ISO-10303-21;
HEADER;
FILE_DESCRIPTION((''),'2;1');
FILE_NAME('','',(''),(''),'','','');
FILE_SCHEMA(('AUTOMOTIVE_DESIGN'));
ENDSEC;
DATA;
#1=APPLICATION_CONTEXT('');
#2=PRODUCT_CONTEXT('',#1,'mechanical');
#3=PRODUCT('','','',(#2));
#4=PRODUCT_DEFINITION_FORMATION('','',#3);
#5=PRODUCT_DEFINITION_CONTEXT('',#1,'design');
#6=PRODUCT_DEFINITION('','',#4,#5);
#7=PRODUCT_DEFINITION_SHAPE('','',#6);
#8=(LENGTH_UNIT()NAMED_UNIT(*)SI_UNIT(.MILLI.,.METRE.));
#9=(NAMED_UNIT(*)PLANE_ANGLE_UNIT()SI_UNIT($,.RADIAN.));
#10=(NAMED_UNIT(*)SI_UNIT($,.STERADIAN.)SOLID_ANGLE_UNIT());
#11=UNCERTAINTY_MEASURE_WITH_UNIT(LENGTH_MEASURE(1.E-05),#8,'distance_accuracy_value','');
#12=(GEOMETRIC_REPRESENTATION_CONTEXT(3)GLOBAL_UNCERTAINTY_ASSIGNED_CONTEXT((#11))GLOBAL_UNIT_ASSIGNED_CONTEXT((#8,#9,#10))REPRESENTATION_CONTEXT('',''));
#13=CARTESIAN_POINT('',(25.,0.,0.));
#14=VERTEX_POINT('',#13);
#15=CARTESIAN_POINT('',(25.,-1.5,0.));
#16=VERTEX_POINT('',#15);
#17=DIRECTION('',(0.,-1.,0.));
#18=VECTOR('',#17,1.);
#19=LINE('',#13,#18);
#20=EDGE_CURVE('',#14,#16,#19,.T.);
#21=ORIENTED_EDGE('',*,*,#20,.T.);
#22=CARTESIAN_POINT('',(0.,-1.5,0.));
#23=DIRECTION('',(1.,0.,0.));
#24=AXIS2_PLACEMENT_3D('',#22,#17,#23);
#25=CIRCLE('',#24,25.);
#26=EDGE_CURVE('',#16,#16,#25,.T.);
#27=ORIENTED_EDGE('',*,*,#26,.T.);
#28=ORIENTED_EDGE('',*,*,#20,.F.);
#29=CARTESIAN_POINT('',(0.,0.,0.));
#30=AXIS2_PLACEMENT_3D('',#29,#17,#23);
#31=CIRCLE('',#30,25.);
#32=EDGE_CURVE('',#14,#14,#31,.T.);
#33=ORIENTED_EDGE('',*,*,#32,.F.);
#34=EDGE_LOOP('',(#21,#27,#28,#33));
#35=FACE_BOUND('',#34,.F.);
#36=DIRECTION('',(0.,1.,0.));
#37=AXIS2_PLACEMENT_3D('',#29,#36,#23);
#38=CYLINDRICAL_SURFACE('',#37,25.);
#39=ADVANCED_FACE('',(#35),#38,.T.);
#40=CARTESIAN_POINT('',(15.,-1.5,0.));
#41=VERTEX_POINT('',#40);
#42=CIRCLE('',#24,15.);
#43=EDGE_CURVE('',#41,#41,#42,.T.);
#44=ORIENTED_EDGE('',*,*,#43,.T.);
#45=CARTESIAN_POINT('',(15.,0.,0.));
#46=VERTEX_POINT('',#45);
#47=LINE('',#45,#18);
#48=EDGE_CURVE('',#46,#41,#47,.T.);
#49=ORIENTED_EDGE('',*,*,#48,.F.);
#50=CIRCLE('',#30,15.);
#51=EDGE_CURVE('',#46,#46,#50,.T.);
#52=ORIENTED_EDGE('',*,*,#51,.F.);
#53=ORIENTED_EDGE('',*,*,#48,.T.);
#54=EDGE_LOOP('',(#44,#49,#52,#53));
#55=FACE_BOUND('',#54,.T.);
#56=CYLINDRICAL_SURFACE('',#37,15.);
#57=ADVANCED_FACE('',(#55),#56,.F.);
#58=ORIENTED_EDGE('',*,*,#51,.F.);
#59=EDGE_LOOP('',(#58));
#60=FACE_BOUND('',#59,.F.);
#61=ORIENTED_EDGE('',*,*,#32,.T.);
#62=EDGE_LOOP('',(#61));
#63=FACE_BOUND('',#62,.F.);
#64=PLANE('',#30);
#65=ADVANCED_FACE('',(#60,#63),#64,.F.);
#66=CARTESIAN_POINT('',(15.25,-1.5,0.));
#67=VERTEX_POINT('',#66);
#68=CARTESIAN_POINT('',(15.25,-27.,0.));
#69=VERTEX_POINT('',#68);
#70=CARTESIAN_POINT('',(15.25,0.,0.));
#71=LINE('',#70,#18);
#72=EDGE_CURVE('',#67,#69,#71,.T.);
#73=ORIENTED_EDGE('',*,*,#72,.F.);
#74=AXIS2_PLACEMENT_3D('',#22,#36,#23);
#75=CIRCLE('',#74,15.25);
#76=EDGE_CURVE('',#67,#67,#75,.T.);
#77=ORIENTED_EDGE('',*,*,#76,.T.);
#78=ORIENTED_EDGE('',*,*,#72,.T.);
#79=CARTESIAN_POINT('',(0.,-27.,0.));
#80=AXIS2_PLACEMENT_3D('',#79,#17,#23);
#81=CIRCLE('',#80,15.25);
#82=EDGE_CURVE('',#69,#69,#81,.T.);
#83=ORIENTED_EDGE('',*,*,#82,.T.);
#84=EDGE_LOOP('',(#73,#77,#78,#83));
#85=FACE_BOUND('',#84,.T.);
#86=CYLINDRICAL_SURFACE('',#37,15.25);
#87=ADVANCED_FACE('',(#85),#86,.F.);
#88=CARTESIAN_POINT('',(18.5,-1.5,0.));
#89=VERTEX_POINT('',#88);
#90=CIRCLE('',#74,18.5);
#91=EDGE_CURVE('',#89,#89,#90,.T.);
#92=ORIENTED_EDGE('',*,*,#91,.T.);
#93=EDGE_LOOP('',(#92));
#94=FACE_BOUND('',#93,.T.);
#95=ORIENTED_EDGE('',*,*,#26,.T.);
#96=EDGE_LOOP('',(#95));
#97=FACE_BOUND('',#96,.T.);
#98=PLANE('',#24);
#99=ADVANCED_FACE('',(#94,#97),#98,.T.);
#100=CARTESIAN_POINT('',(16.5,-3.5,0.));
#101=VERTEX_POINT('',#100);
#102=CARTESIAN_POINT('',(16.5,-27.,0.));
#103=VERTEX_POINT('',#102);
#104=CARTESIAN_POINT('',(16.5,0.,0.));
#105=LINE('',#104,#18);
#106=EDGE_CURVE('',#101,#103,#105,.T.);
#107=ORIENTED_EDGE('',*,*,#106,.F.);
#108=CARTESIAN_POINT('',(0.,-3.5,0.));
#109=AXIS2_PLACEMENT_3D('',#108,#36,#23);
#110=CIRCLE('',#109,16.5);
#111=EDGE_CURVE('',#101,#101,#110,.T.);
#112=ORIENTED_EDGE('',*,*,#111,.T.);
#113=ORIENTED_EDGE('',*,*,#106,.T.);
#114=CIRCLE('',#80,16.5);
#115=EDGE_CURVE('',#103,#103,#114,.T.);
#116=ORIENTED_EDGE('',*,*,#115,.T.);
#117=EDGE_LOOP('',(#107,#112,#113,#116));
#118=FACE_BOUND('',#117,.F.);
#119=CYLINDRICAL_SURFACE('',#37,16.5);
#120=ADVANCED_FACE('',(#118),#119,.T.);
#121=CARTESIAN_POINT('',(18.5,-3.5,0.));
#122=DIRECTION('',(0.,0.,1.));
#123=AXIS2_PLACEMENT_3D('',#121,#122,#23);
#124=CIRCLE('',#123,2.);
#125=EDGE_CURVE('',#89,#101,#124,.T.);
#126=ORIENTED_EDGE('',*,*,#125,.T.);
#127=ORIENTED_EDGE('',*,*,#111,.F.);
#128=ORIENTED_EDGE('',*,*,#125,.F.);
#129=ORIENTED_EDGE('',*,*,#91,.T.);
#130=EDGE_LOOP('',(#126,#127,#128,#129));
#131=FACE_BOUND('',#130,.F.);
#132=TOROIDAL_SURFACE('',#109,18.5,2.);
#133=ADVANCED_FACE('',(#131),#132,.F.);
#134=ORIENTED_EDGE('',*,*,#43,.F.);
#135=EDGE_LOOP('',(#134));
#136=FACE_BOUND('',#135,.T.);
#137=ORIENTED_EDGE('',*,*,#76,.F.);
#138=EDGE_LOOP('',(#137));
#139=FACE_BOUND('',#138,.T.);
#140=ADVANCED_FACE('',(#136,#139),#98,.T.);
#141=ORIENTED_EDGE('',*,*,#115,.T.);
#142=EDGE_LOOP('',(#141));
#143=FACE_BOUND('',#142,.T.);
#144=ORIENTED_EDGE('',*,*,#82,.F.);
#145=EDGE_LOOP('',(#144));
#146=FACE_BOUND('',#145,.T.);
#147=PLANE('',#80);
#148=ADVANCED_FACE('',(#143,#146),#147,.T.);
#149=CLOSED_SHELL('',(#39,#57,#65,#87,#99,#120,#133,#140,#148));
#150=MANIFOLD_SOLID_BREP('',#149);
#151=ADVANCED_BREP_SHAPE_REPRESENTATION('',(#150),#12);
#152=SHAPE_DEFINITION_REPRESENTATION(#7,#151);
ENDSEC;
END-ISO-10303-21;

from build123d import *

# Parameters (mm, degrees)
F0_R     = 25
F0_R_2   = 15
F1_DEPTH = 1.5
F2_R     = 16.5
F2_R_2   = 15.25
F3_DEPTH = 27
F4_R     = 2


with BuildPart() as f1:
    # F0 (on Front) → F1 (new body)
    with BuildSketch(Plane.XZ):
        Circle(F0_R)
        Circle(F0_R_2, mode=Mode.SUBTRACT)
    extrude(amount=F1_DEPTH)

    # F2 (on Front) → F3 (join)
    with BuildSketch(Plane.XZ):
        Circle(F2_R)
        Circle(F2_R_2, mode=Mode.SUBTRACT)
    extrude(amount=F3_DEPTH)

    # F4
    f4_edges = [f1.edges().sort_by_distance(p)[0] for p in [
        (-16.5, -1.5, 0),
    ]]
    fillet(f4_edges, radius=F4_R)


solid = f1.part
